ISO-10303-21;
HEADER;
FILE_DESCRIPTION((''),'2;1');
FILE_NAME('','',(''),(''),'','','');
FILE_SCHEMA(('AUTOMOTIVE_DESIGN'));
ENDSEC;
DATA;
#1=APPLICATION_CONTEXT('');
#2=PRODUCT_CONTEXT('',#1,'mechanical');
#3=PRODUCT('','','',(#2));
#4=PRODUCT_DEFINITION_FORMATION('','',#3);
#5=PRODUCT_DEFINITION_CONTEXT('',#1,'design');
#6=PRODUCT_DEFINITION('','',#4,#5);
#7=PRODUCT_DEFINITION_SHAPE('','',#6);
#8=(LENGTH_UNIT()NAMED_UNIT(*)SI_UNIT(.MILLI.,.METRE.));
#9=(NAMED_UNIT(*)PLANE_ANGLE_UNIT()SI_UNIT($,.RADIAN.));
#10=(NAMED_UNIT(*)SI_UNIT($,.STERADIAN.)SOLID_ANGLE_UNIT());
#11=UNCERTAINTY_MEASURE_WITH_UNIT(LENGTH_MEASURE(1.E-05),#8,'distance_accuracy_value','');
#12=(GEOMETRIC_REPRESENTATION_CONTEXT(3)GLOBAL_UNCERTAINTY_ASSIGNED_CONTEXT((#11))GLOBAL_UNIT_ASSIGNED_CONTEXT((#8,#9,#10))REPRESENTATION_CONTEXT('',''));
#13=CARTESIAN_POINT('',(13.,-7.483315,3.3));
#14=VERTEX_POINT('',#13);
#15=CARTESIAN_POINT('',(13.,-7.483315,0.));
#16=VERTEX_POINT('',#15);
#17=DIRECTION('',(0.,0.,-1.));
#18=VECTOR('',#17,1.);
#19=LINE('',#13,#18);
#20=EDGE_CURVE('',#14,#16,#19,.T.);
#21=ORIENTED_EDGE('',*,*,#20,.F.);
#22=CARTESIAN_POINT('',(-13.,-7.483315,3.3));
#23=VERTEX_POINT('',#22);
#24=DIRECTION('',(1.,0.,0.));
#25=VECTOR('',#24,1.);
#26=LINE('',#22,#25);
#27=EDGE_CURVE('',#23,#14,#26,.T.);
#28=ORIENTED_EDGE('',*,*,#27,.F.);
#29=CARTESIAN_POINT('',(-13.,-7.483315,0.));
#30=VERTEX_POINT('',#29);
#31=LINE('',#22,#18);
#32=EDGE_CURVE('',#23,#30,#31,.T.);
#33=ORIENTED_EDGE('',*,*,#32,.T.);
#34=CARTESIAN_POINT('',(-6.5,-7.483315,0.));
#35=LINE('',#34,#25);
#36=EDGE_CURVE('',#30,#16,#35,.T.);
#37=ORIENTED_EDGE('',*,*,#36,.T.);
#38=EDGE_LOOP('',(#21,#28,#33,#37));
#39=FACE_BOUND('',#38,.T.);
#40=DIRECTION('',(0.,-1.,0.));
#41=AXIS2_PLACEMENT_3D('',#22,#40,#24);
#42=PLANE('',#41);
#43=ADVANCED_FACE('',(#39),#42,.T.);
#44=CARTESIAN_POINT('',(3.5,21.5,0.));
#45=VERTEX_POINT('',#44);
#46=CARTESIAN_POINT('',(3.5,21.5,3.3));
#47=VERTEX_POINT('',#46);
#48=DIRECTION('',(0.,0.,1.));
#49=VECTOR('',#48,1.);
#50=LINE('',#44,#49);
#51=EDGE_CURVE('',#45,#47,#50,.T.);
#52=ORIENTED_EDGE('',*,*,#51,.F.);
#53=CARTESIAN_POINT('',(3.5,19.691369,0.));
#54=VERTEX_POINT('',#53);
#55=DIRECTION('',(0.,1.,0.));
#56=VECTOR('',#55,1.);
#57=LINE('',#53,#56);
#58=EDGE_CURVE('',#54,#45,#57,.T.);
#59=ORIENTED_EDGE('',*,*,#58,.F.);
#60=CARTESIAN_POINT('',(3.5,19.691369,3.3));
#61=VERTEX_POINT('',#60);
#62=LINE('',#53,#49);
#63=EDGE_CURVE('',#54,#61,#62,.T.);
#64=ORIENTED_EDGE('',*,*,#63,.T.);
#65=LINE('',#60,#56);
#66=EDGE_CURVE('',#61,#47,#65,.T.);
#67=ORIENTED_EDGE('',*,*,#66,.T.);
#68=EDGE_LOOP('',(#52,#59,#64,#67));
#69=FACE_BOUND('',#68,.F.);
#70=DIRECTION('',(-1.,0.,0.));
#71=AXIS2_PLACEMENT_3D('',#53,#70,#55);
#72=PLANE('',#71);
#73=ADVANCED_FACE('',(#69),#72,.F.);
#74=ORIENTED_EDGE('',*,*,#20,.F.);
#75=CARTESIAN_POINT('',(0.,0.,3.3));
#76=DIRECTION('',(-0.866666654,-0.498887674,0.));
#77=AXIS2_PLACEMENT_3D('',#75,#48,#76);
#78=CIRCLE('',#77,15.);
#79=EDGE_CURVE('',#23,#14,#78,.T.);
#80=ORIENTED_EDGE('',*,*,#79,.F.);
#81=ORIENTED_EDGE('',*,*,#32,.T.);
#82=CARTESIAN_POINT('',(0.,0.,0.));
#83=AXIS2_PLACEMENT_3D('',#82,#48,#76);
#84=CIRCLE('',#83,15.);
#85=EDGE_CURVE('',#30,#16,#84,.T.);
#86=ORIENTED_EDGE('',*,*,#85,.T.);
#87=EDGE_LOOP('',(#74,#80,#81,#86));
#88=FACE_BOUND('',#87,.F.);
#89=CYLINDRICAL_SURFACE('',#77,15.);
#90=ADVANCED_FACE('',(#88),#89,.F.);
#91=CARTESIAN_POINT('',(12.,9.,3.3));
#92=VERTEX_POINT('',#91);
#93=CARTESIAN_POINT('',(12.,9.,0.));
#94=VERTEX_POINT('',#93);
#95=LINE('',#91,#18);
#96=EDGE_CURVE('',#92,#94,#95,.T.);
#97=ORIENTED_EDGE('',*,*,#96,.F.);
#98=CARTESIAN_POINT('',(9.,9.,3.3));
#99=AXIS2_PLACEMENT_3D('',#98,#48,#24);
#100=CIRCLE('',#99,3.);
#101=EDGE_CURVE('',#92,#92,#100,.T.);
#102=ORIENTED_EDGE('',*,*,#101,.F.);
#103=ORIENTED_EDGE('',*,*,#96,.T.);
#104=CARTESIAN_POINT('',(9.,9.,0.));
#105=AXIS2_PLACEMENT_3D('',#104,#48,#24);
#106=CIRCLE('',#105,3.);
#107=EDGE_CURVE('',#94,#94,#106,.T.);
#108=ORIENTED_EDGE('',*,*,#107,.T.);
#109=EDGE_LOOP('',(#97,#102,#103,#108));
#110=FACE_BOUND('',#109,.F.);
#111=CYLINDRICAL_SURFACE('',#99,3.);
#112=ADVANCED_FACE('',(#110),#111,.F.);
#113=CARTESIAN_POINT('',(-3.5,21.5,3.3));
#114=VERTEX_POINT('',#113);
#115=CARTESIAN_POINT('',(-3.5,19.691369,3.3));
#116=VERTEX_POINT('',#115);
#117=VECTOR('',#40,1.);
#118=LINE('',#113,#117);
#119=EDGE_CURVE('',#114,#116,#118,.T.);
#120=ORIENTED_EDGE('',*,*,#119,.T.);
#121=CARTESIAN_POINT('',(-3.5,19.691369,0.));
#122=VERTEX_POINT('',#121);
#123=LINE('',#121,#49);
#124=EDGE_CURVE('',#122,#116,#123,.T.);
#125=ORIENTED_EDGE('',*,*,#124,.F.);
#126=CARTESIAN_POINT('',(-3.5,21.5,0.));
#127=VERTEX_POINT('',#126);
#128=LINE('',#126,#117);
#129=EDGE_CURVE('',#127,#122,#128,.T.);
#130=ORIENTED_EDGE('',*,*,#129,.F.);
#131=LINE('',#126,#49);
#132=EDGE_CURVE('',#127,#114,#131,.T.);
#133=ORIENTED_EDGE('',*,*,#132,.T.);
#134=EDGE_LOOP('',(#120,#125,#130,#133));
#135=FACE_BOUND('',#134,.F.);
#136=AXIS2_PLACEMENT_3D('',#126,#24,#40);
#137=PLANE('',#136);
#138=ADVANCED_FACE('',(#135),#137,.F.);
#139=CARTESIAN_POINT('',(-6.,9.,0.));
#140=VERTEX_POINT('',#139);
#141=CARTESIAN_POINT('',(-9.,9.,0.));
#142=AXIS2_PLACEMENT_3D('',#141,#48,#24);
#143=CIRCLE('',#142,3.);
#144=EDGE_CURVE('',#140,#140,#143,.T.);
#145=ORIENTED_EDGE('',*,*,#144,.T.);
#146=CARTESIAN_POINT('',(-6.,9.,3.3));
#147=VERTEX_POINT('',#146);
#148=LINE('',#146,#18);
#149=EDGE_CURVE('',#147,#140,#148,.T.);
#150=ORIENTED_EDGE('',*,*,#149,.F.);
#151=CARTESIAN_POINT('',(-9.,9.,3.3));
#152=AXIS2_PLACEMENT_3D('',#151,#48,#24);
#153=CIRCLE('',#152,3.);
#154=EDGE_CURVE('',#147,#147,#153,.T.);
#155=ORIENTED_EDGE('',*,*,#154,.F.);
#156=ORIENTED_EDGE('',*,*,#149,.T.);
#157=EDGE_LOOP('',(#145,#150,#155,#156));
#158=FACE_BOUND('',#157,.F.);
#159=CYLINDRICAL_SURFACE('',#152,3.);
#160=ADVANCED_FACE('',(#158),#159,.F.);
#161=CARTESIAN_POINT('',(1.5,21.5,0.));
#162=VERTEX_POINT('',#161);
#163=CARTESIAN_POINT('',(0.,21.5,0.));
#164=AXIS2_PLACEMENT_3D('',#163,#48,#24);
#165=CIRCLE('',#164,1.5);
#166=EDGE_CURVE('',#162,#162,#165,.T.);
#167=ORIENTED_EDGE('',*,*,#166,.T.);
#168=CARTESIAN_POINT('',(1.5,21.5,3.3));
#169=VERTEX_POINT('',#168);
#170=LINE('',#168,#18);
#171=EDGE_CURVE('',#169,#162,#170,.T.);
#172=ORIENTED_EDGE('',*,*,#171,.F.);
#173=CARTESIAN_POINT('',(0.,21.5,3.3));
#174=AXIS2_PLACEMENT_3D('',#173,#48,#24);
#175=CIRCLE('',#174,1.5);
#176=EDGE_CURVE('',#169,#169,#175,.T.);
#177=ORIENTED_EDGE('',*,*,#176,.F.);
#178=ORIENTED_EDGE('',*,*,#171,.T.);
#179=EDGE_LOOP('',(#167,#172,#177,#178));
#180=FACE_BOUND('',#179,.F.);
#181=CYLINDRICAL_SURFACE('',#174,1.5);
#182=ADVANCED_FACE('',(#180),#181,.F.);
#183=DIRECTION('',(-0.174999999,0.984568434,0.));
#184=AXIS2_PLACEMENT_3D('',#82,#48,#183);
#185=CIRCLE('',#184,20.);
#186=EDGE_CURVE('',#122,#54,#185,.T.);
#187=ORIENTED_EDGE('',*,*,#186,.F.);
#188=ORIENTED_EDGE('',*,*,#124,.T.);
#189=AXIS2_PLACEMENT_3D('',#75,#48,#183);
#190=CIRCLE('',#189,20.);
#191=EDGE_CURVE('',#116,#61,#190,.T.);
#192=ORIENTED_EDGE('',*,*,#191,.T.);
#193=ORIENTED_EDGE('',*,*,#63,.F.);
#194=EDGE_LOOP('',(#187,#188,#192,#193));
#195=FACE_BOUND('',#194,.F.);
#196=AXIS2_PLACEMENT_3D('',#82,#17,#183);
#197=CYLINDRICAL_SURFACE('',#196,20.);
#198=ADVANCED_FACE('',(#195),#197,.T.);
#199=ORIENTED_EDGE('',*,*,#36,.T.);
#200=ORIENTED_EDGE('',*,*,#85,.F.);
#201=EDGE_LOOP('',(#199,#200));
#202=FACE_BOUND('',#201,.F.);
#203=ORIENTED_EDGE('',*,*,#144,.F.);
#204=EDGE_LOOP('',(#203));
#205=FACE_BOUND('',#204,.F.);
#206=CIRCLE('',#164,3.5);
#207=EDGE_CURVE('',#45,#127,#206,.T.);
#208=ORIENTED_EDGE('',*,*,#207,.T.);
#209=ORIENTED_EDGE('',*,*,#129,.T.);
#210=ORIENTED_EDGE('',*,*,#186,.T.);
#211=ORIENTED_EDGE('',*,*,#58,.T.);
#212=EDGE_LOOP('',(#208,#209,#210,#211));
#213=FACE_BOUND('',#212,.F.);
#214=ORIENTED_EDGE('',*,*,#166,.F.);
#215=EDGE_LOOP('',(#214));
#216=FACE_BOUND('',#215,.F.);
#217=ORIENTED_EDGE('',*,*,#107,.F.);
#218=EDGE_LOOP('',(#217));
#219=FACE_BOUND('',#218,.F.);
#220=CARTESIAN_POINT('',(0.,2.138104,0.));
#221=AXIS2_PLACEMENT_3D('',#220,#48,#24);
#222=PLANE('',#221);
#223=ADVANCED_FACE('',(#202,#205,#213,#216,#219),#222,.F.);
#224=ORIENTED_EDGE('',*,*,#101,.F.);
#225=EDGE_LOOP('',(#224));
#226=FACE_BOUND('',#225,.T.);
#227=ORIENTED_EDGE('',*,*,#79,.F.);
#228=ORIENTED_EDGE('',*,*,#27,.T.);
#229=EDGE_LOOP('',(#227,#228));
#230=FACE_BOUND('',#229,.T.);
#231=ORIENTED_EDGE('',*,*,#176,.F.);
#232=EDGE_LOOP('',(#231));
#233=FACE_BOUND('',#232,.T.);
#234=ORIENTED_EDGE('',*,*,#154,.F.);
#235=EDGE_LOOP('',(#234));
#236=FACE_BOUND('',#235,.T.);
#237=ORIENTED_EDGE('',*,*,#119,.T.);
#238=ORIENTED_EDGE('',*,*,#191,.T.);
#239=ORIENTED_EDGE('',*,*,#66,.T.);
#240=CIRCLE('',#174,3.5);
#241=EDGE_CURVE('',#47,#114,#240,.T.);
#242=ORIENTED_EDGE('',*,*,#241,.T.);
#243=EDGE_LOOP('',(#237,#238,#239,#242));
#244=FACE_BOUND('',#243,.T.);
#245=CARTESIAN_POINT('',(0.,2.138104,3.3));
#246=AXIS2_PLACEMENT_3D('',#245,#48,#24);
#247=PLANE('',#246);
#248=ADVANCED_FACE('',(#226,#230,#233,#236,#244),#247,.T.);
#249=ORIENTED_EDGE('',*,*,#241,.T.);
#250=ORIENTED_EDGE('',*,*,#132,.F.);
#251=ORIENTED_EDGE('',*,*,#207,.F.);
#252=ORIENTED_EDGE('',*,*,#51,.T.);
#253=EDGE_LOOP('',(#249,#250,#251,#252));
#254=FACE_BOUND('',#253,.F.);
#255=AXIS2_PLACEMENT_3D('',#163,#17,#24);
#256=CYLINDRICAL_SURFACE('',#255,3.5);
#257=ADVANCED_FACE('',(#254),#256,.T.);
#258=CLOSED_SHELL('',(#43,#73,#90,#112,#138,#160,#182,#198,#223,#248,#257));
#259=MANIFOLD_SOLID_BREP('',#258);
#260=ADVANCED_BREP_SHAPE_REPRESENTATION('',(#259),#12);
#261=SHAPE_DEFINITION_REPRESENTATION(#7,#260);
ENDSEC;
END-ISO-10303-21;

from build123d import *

# Parameters (mm, degrees)
EXTRUDE_DEPTH   = 3.3
SKETCH001_R     = 1.5
POCKET_DEPTH    = 3.301
SKETCH002_R     = 3
POCKET001_DEPTH = 3.301


with BuildPart() as part:
    # Sketch → Extrude (new body)
    with BuildSketch(Plane.XY):
        with BuildLine():
            ThreePointArc((3.5, 21.5), (0, 25), (-3.5, 21.5))
            Line((-3.5, 21.5), (-3.5, 19.691369))
            ThreePointArc((-3.5, 19.691369), (0, -20), (3.5, 19.691369))
            Line((3.5, 19.691369), (3.5, 21.5))
        make_face()
    extrude(amount=EXTRUDE_DEPTH)

    # Sketch001 → Pocket (cut, through all)
    with BuildSketch(Plane.XY.offset(3.3)):
        with Locations((0, 21.5)):
            Circle(SKETCH001_R)
    extrude(amount=-POCKET_DEPTH, mode=Mode.SUBTRACT)

    # Sketch002 → Pocket001 (cut, through all)
    with BuildSketch(Plane.XY.offset(3.3)):
        with Locations((-9, 9)):
            Circle(SKETCH002_R)
        with Locations((9, 9)):
            Circle(SKETCH002_R)
        with BuildLine():
            ThreePointArc((-13, -7.483315), (0, -15), (13, -7.483315))
            Line((-13, -7.483315), (13, -7.483315))
        make_face()
    extrude(amount=-POCKET001_DEPTH, mode=Mode.SUBTRACT)


solid = part.part
